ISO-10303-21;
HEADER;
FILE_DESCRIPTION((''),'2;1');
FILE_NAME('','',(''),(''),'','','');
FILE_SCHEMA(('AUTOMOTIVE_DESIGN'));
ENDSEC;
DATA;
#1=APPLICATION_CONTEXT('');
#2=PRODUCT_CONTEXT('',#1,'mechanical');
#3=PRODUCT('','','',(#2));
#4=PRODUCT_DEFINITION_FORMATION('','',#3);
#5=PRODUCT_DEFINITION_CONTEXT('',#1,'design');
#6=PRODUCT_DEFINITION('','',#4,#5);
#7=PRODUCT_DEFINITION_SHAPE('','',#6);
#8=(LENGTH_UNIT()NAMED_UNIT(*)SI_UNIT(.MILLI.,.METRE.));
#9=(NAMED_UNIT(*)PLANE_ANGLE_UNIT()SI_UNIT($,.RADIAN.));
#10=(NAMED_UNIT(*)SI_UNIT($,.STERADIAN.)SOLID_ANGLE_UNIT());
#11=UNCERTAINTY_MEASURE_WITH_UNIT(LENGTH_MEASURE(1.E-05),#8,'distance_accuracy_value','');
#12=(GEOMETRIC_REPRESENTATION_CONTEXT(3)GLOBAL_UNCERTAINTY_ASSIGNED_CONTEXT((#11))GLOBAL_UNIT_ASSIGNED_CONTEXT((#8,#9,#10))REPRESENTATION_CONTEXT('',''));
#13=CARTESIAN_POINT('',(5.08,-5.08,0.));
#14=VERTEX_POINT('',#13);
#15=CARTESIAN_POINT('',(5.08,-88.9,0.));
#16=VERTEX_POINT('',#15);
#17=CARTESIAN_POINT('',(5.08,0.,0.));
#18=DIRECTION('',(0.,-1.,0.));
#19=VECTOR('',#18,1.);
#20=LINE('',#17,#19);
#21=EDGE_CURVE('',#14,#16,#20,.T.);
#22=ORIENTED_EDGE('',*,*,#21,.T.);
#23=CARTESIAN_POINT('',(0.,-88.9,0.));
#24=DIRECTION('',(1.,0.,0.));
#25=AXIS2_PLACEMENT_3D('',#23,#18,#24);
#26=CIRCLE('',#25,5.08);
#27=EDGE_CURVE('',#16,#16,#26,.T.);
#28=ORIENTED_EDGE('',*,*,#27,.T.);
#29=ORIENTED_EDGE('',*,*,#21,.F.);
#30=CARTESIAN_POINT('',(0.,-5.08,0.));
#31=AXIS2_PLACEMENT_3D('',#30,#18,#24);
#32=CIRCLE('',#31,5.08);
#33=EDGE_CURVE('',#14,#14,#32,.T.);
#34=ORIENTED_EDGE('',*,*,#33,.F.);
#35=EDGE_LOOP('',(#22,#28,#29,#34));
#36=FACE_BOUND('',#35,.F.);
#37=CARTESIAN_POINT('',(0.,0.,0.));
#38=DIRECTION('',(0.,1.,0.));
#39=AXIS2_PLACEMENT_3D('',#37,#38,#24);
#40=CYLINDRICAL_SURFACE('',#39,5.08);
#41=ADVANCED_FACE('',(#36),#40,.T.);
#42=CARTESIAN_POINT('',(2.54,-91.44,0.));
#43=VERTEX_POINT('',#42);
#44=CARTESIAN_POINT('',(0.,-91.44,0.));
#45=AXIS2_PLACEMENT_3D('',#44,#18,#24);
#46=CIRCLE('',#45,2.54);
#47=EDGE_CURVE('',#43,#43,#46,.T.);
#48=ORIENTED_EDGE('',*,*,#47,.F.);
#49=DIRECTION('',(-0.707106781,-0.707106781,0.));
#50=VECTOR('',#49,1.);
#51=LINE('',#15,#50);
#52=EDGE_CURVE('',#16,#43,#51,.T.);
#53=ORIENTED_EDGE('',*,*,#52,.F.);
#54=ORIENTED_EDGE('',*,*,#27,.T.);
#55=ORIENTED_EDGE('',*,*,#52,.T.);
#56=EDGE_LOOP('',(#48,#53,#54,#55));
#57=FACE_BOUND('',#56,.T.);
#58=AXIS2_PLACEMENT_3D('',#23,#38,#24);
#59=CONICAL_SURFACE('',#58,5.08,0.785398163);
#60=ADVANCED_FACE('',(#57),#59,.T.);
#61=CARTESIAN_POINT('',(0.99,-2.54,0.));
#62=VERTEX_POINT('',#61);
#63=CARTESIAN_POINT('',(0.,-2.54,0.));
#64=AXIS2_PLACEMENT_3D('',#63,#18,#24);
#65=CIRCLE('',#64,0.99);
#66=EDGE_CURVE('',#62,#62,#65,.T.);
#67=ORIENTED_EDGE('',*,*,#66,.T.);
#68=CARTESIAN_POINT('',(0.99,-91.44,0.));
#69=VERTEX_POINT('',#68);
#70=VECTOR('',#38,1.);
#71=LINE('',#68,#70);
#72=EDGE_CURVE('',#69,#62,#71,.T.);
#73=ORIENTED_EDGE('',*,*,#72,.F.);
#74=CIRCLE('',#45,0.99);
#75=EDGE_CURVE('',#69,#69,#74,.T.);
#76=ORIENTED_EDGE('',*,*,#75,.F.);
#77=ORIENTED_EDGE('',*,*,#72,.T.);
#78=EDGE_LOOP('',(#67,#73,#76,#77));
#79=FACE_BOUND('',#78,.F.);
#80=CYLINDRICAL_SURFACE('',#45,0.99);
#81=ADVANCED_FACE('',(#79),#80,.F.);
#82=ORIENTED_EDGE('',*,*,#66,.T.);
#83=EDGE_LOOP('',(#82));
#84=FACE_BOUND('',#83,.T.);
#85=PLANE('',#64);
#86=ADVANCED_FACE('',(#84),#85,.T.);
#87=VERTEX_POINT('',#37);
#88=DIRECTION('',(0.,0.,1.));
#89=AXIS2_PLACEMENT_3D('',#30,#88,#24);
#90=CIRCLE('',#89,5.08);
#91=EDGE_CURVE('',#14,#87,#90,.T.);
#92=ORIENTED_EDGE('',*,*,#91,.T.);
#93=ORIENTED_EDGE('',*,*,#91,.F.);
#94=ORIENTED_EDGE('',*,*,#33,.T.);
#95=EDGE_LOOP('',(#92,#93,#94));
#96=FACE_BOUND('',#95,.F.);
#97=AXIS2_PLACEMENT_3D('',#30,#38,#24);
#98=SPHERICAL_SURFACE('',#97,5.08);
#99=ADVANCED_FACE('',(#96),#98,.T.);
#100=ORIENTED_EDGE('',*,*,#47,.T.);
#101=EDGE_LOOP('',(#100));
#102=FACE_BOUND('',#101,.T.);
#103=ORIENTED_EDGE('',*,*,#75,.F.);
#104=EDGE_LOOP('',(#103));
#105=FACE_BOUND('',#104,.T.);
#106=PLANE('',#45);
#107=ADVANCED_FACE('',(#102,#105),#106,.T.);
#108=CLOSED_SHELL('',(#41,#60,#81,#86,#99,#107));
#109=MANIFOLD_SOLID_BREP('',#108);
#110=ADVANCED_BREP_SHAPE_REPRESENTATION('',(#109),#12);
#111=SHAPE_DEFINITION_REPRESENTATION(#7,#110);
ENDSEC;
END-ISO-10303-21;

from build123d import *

# Parameters (mm, degrees)
F0_R     = 5.08
F1_DEPTH = 91.44
F2_R     = 0.99
F3_DEPTH = 88.9
F4_SIZE  = 2.54
F5_R     = 5.08


with BuildPart() as f1:
    # F0 (on Front) → F1 (new body)
    with BuildSketch(Plane.XZ):
        Circle(F0_R)
    extrude(amount=F1_DEPTH)

    # F2 (on face) → F3 (cut)
    with BuildSketch(Plane.XZ.offset(91.44)):
        Circle(F2_R)
    extrude(amount=-F3_DEPTH, mode=Mode.SUBTRACT)

    # F4
    f4_edges = [f1.edges().sort_by_distance(p)[0] for p in [
        (-5.08, -91.44, 0),
    ]]
    chamfer(f4_edges, length=F4_SIZE)

    # F5
    f5_edges = [f1.edges().sort_by_distance(p)[0] for p in [
        (-5.08, 0, 0),
    ]]
    fillet(f5_edges, radius=F5_R)


solid = f1.part
